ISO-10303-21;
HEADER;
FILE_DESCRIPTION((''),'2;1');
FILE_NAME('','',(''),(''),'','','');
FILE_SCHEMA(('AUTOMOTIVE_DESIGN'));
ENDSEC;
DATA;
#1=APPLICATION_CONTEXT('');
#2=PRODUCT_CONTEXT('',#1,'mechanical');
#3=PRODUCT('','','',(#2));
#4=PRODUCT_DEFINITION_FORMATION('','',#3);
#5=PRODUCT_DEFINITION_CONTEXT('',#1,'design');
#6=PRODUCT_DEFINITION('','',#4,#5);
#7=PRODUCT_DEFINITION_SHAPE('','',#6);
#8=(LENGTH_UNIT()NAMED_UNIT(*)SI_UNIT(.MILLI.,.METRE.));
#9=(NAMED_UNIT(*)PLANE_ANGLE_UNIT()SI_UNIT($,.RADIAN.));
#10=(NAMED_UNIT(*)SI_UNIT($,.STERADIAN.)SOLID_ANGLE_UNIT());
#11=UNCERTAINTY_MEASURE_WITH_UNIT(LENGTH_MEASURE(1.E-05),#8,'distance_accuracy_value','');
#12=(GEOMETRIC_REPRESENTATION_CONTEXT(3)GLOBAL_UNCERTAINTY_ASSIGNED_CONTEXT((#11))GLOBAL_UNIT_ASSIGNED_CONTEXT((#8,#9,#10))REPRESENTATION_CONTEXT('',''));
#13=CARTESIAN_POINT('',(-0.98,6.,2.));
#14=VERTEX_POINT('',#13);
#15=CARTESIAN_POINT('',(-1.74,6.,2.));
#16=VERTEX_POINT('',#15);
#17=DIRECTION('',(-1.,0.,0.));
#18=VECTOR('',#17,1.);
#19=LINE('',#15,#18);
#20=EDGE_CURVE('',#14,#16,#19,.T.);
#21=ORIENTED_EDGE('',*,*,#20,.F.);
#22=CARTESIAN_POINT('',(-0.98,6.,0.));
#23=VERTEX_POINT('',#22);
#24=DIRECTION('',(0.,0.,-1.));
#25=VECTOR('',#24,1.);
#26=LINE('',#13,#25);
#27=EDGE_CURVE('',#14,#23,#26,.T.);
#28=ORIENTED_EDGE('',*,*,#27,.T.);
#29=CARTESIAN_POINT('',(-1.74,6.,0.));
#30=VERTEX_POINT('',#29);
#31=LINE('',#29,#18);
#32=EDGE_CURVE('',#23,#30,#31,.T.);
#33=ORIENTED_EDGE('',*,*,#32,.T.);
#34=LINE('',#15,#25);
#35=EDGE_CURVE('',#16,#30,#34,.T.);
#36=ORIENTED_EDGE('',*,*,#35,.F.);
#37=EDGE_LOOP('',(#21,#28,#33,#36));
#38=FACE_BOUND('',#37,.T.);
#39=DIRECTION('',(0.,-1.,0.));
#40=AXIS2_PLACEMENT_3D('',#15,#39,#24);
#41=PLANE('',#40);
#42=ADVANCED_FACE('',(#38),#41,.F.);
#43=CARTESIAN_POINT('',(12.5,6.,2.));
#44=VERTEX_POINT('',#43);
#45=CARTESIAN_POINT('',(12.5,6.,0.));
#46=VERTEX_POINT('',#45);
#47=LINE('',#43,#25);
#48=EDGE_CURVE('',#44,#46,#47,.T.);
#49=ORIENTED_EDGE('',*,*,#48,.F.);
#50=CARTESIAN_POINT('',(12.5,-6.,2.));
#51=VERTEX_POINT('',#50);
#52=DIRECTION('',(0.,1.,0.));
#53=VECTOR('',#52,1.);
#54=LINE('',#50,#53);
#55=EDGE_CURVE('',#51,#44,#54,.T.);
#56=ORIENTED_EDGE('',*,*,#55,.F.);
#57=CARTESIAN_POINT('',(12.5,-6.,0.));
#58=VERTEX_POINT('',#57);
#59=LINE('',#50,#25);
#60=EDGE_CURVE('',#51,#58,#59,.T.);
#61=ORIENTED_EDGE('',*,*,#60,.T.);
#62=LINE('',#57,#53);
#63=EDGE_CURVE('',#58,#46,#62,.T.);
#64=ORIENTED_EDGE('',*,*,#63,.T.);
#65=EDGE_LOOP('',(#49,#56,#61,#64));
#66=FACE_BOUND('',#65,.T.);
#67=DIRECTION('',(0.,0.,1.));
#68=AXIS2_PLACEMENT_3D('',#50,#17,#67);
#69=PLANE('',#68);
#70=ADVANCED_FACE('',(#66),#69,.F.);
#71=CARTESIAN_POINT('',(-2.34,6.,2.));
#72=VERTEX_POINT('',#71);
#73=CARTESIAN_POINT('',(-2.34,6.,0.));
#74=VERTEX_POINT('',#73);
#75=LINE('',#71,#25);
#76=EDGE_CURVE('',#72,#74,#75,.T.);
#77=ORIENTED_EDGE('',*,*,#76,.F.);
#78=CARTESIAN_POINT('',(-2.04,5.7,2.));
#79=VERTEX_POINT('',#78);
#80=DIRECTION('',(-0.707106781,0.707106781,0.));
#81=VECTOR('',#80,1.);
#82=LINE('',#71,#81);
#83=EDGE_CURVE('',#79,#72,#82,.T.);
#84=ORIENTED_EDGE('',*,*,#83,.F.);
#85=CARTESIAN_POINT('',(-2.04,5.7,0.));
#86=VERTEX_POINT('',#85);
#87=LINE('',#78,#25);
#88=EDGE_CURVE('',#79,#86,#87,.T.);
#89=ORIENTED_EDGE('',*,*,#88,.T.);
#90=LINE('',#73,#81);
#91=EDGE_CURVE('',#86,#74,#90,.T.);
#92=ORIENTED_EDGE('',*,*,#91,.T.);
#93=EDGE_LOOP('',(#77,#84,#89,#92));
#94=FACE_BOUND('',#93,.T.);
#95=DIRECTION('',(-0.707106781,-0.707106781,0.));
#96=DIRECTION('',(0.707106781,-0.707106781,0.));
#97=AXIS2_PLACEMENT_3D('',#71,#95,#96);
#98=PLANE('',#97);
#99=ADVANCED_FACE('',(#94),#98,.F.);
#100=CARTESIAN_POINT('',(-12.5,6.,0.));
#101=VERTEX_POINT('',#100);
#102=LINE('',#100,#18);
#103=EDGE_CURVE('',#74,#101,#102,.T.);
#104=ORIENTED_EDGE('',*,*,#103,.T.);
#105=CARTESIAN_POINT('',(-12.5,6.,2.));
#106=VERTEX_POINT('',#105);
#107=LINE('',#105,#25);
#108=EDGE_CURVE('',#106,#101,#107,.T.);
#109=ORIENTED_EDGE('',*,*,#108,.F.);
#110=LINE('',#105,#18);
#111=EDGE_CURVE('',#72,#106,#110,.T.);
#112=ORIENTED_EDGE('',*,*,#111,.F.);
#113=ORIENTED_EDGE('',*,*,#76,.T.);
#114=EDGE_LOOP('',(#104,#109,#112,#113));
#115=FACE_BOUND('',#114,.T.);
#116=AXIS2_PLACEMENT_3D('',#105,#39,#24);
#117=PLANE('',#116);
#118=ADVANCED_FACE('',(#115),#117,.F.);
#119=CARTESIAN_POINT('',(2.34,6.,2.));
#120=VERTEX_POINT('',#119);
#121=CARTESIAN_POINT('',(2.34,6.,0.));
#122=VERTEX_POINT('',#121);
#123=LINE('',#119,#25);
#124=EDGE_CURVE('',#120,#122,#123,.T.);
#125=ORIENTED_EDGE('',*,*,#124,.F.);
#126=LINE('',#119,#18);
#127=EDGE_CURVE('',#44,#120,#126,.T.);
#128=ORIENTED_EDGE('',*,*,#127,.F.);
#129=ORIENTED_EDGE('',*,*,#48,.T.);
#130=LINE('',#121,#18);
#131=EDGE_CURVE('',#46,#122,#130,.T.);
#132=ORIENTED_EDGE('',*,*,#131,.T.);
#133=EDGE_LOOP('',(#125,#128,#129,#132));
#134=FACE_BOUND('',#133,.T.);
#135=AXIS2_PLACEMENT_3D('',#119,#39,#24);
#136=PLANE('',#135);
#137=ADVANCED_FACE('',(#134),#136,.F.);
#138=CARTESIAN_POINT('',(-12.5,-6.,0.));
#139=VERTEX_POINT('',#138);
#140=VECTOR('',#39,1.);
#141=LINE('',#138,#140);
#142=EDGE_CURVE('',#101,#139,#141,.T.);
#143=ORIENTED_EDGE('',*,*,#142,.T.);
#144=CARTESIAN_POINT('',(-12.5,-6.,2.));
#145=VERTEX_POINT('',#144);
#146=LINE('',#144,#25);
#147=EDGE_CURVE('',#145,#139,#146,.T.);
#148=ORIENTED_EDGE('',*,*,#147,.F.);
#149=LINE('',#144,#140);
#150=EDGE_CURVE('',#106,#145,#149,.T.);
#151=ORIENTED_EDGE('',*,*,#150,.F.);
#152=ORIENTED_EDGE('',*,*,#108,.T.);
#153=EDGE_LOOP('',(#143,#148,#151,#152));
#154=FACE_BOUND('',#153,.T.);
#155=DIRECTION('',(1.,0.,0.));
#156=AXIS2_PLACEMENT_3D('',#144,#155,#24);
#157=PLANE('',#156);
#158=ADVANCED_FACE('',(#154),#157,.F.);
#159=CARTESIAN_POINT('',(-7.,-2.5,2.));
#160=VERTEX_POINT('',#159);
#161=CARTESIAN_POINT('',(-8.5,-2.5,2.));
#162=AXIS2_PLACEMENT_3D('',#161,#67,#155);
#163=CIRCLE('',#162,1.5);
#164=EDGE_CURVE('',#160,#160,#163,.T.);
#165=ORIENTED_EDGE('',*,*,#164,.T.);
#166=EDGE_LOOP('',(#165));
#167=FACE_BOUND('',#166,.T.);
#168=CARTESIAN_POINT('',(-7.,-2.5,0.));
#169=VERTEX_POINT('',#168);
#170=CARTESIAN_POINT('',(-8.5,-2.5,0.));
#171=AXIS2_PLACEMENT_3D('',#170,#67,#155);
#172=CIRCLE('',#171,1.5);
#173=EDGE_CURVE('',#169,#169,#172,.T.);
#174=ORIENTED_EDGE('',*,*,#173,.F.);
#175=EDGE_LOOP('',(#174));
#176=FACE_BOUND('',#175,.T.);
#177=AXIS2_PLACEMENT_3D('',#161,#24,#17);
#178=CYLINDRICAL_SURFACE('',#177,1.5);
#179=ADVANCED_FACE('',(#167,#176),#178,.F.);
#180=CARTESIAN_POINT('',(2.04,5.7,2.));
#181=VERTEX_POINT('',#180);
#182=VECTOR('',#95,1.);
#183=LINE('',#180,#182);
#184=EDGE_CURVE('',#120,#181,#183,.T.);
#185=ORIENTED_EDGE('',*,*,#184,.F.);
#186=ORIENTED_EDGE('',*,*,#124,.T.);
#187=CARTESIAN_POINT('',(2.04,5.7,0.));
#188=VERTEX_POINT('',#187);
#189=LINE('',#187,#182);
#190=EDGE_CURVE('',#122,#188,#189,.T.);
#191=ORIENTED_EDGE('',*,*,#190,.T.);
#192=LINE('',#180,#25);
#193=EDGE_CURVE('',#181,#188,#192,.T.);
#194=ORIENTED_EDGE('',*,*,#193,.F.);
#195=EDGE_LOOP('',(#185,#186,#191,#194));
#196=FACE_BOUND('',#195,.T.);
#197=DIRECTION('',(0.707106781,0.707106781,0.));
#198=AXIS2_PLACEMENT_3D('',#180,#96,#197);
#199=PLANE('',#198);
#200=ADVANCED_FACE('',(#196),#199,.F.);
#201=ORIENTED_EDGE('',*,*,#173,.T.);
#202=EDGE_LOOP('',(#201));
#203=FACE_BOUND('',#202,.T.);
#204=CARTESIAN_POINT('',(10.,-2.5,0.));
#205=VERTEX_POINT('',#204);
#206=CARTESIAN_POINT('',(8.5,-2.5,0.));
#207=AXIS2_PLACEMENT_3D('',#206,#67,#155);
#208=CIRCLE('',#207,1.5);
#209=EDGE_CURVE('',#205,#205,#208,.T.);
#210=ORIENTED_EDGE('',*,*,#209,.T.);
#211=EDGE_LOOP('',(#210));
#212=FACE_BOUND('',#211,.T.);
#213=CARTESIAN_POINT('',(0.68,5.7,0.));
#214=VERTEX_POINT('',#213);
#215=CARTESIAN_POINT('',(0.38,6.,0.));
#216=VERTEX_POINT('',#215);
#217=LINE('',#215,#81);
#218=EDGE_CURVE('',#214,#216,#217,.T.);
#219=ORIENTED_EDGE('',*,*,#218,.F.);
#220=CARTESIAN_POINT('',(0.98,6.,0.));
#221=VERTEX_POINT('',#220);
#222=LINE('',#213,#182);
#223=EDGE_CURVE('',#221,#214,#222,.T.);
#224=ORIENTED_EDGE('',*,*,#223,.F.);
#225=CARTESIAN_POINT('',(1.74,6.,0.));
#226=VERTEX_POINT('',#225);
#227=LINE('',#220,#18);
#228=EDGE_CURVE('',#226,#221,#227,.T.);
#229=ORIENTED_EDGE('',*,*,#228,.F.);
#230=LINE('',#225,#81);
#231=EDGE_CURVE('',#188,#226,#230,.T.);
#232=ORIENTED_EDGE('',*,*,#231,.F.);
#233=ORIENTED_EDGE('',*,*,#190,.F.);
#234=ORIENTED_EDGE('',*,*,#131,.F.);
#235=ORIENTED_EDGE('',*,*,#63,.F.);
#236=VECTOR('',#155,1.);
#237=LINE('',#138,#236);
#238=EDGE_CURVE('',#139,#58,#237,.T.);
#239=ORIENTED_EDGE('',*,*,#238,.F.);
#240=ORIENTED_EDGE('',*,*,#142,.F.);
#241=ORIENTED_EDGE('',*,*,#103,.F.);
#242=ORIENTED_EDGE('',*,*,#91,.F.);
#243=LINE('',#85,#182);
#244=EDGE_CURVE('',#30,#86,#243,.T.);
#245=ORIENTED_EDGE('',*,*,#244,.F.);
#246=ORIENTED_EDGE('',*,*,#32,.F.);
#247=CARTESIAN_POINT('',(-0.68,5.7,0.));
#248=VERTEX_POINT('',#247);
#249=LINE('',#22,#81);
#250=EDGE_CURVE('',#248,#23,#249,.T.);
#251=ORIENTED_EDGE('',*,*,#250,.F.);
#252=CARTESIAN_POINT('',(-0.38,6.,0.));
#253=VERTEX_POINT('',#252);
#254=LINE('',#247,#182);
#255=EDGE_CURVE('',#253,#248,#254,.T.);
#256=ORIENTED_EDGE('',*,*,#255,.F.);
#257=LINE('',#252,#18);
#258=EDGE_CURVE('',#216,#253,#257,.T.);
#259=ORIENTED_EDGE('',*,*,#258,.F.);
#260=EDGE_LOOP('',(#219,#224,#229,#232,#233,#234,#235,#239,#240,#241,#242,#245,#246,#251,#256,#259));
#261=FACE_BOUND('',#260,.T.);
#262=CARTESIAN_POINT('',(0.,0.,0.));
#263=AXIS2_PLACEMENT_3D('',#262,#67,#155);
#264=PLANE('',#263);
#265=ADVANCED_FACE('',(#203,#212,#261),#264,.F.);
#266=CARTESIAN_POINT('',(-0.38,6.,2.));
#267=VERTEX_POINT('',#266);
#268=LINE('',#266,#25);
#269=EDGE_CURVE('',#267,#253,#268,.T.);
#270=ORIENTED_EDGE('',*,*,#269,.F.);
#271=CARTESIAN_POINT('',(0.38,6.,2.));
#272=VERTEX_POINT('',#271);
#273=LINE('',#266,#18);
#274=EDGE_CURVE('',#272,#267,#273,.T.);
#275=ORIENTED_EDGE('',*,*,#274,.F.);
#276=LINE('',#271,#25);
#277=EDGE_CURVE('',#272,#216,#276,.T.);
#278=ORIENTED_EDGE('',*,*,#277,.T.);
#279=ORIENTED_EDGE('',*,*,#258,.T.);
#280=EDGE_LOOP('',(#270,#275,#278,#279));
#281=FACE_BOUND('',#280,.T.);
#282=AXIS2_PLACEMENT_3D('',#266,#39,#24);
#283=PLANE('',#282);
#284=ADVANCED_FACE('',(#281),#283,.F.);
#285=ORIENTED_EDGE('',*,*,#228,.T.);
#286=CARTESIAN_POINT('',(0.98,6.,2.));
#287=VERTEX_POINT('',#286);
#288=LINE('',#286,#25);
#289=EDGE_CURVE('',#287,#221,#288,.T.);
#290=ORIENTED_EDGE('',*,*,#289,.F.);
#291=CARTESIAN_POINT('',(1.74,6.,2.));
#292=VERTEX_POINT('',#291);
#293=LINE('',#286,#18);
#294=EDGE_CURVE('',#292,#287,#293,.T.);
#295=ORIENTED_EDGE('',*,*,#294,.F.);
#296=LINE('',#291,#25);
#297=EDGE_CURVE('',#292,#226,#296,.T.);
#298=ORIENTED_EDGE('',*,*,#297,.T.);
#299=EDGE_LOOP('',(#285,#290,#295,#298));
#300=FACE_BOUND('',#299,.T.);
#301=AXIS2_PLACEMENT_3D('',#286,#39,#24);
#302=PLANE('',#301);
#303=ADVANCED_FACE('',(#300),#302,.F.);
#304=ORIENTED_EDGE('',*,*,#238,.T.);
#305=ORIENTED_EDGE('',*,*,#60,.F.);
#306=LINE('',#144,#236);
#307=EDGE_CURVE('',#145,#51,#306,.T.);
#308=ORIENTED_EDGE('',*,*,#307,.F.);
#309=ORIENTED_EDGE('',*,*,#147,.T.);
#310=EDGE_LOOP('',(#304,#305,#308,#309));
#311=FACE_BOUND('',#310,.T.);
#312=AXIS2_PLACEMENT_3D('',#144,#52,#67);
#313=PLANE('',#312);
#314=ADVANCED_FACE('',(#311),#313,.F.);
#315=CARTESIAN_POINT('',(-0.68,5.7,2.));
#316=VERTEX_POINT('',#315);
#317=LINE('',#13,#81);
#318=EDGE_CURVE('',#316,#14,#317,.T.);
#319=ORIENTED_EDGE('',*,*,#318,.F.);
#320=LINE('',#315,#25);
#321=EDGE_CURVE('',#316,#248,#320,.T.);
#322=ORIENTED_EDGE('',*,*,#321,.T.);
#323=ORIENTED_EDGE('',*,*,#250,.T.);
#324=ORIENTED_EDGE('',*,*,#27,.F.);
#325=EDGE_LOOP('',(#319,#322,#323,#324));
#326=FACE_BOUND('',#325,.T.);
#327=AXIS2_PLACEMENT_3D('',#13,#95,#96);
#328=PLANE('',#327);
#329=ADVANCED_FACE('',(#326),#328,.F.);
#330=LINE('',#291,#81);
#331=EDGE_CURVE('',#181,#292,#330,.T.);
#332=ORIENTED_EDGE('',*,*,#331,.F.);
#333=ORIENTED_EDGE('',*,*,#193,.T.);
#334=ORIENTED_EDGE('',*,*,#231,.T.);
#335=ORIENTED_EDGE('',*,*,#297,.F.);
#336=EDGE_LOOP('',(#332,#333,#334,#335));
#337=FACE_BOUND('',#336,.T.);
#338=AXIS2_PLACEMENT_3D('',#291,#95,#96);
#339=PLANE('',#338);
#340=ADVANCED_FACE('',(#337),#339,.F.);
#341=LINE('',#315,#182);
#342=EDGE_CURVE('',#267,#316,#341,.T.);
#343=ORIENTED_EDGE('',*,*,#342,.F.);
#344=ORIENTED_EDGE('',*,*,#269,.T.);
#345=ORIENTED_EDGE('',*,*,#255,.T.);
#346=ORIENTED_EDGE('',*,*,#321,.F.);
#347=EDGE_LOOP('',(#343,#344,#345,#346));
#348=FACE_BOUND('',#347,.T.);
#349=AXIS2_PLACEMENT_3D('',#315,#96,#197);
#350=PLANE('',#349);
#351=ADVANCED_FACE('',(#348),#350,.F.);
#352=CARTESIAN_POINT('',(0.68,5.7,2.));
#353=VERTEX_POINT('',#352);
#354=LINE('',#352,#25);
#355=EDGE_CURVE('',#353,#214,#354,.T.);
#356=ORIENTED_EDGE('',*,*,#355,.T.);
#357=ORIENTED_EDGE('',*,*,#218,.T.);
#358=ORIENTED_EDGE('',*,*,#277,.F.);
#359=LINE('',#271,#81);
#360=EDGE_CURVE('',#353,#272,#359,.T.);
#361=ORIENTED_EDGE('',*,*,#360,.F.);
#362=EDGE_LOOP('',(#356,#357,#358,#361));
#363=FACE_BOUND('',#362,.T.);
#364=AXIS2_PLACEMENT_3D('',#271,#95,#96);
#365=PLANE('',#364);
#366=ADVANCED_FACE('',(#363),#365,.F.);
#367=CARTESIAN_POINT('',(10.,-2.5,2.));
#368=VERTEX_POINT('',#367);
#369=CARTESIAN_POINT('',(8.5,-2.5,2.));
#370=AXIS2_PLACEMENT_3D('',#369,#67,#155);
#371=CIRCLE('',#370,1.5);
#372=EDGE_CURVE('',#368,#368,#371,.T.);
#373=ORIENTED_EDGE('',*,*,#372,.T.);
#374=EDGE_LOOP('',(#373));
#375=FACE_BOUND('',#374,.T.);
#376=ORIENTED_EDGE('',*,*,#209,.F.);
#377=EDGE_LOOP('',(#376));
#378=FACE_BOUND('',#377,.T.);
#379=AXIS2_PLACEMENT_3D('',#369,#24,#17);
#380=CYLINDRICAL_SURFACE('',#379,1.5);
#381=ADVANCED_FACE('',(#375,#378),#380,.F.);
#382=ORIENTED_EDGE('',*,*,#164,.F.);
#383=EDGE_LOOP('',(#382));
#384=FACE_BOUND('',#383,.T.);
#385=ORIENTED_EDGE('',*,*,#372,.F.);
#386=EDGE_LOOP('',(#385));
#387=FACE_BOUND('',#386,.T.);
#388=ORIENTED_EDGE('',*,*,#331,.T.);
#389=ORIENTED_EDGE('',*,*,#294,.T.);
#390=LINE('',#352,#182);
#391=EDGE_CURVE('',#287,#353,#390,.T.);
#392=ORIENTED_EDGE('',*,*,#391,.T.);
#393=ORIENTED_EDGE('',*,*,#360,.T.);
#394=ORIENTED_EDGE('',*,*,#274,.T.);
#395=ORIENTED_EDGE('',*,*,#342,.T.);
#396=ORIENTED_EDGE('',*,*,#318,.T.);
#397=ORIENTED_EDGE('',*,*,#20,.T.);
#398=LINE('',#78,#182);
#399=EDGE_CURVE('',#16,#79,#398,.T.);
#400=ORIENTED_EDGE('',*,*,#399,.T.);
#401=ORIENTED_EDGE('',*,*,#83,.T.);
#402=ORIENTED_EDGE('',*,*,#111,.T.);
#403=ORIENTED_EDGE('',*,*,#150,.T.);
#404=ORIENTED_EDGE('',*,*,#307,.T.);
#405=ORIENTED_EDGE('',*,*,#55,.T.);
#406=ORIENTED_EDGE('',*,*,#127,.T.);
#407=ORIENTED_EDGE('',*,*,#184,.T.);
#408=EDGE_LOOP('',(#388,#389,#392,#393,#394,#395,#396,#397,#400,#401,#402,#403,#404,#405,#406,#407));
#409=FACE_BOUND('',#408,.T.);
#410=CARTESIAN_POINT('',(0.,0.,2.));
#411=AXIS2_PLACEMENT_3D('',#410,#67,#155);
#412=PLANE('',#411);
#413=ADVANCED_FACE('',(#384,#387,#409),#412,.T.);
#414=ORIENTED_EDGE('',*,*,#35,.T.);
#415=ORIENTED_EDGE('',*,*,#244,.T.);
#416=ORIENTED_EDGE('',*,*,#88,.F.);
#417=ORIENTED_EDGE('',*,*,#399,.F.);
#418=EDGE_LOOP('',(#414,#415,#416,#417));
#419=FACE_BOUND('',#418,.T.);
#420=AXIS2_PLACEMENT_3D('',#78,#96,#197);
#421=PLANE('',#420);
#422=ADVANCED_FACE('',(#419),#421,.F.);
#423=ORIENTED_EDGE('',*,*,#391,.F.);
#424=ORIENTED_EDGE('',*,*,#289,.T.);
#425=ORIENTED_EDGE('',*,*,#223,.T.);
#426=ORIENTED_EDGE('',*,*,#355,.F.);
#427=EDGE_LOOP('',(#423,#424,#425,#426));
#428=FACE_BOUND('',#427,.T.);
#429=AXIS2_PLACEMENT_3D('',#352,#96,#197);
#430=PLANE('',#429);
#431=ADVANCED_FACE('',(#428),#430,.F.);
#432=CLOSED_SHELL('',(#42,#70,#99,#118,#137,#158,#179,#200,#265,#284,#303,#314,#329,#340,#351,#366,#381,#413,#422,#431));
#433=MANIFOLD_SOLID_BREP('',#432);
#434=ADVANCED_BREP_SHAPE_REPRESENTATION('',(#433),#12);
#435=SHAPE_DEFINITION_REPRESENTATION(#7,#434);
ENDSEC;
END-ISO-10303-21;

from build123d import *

# Parameters (mm, degrees)
SKETCH1_R           = 1.5
BOSS_EXTRUDE1_DEPTH = 2


with BuildPart() as part:
    # Sketch1 → Boss-Extrude1 (new body)
    with BuildSketch(Plane.XY):
        Polygon((-2.34, 6), (-2.04, 5.7), (-1.74, 6), (-0.98, 6), (-0.68, 5.7), (-0.38, 6), (0.38, 6), (0.68, 5.7), (0.98, 6), (1.74, 6), (2.04, 5.7), (2.34, 6), (12.5, 6), (12.5, -6), (-12.5, -6), (-12.5, 6), align=None)
        with Locations((8.5, -2.5)):
            Circle(SKETCH1_R, mode=Mode.SUBTRACT)
        with Locations((-8.5, -2.5)):
            Circle(SKETCH1_R, mode=Mode.SUBTRACT)
    extrude(amount=BOSS_EXTRUDE1_DEPTH)


solid = part.part
